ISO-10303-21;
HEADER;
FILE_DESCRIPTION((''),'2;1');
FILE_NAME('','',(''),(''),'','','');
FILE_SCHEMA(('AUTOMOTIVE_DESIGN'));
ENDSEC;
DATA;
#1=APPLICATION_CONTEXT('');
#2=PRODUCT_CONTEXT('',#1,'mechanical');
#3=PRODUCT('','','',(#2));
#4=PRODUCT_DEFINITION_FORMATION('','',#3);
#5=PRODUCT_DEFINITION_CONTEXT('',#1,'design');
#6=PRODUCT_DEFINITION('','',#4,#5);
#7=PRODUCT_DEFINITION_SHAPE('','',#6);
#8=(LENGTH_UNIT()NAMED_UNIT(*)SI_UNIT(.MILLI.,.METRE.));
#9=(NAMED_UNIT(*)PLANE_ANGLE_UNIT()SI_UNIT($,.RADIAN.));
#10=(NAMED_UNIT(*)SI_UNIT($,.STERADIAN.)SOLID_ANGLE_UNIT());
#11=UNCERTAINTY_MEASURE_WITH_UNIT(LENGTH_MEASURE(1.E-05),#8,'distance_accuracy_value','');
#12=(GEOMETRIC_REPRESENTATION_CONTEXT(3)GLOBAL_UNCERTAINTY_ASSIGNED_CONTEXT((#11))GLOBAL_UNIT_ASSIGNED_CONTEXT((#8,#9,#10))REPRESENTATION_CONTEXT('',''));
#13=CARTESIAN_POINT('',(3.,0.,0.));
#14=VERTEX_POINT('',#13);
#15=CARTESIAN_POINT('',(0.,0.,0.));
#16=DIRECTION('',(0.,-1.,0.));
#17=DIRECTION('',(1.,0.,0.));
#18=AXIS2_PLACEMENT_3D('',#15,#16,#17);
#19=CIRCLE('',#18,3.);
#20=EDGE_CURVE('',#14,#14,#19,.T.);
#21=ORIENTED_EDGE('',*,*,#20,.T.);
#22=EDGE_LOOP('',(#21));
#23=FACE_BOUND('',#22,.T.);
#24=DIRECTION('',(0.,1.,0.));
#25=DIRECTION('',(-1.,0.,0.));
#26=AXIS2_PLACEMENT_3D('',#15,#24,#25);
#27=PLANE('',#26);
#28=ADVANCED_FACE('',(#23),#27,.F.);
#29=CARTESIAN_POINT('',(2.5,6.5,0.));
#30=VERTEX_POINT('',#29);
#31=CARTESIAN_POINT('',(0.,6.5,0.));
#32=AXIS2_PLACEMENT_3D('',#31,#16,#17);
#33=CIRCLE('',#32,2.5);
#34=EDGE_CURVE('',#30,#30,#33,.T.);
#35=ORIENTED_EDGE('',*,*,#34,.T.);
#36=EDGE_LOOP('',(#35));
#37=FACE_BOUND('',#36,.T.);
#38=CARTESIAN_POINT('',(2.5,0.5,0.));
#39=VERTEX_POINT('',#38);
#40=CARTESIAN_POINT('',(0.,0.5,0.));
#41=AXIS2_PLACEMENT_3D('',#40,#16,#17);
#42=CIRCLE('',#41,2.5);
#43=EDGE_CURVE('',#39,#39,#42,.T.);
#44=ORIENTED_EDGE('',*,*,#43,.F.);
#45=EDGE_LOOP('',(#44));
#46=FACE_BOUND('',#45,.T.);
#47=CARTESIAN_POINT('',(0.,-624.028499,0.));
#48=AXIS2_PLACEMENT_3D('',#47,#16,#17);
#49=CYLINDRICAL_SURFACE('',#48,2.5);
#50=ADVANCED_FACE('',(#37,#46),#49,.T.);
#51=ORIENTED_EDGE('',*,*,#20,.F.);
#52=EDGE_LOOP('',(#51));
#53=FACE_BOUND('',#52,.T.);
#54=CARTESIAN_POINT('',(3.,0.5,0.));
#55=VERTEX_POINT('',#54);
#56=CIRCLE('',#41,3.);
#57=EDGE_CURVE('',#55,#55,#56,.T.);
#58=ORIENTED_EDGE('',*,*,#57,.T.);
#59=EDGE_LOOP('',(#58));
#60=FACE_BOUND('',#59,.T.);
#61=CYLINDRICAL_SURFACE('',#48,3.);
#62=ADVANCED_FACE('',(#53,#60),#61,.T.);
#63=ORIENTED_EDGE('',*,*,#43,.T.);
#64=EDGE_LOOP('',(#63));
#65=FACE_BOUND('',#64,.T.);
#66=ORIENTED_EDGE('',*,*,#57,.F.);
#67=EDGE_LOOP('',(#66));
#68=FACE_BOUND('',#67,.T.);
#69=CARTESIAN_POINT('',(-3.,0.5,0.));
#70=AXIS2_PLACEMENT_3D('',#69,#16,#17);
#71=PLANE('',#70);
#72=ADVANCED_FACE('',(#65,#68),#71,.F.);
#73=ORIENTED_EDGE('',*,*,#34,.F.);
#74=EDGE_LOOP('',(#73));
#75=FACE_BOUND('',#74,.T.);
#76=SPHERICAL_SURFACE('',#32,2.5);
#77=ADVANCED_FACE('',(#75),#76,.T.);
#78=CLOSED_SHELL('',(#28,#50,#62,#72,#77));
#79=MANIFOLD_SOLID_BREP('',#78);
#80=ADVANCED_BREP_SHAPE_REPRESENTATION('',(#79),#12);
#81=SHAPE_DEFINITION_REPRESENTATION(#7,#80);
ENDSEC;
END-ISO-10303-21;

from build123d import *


with BuildPart() as part:
    # Sketch1 → Revolve1 (revolve)
    with BuildSketch(Plane.XY, mode=Mode.PRIVATE) as revolve1_sk:
        with BuildLine():
            Line((0, 0), (-3, 0))
            Line((-3, 0), (-3, 0.5))
            Line((-3, 0.5), (-2.5, 0.5))
            Line((-2.5, 0.5), (-2.5, 6.5))
            ThreePointArc((-2.5, 6.5), (-1.767766953, 8.267766953), (0, 9))
            Line((0, 9), (0, 0))
        make_face()
    revolve(revolve1_sk.sketch.rotate(Axis((0, -624.028498716, 0), (0, 1, 0)), 180), axis=Axis((0, -624.028498716, 0), (0, 1, 0)))


solid = part.part
